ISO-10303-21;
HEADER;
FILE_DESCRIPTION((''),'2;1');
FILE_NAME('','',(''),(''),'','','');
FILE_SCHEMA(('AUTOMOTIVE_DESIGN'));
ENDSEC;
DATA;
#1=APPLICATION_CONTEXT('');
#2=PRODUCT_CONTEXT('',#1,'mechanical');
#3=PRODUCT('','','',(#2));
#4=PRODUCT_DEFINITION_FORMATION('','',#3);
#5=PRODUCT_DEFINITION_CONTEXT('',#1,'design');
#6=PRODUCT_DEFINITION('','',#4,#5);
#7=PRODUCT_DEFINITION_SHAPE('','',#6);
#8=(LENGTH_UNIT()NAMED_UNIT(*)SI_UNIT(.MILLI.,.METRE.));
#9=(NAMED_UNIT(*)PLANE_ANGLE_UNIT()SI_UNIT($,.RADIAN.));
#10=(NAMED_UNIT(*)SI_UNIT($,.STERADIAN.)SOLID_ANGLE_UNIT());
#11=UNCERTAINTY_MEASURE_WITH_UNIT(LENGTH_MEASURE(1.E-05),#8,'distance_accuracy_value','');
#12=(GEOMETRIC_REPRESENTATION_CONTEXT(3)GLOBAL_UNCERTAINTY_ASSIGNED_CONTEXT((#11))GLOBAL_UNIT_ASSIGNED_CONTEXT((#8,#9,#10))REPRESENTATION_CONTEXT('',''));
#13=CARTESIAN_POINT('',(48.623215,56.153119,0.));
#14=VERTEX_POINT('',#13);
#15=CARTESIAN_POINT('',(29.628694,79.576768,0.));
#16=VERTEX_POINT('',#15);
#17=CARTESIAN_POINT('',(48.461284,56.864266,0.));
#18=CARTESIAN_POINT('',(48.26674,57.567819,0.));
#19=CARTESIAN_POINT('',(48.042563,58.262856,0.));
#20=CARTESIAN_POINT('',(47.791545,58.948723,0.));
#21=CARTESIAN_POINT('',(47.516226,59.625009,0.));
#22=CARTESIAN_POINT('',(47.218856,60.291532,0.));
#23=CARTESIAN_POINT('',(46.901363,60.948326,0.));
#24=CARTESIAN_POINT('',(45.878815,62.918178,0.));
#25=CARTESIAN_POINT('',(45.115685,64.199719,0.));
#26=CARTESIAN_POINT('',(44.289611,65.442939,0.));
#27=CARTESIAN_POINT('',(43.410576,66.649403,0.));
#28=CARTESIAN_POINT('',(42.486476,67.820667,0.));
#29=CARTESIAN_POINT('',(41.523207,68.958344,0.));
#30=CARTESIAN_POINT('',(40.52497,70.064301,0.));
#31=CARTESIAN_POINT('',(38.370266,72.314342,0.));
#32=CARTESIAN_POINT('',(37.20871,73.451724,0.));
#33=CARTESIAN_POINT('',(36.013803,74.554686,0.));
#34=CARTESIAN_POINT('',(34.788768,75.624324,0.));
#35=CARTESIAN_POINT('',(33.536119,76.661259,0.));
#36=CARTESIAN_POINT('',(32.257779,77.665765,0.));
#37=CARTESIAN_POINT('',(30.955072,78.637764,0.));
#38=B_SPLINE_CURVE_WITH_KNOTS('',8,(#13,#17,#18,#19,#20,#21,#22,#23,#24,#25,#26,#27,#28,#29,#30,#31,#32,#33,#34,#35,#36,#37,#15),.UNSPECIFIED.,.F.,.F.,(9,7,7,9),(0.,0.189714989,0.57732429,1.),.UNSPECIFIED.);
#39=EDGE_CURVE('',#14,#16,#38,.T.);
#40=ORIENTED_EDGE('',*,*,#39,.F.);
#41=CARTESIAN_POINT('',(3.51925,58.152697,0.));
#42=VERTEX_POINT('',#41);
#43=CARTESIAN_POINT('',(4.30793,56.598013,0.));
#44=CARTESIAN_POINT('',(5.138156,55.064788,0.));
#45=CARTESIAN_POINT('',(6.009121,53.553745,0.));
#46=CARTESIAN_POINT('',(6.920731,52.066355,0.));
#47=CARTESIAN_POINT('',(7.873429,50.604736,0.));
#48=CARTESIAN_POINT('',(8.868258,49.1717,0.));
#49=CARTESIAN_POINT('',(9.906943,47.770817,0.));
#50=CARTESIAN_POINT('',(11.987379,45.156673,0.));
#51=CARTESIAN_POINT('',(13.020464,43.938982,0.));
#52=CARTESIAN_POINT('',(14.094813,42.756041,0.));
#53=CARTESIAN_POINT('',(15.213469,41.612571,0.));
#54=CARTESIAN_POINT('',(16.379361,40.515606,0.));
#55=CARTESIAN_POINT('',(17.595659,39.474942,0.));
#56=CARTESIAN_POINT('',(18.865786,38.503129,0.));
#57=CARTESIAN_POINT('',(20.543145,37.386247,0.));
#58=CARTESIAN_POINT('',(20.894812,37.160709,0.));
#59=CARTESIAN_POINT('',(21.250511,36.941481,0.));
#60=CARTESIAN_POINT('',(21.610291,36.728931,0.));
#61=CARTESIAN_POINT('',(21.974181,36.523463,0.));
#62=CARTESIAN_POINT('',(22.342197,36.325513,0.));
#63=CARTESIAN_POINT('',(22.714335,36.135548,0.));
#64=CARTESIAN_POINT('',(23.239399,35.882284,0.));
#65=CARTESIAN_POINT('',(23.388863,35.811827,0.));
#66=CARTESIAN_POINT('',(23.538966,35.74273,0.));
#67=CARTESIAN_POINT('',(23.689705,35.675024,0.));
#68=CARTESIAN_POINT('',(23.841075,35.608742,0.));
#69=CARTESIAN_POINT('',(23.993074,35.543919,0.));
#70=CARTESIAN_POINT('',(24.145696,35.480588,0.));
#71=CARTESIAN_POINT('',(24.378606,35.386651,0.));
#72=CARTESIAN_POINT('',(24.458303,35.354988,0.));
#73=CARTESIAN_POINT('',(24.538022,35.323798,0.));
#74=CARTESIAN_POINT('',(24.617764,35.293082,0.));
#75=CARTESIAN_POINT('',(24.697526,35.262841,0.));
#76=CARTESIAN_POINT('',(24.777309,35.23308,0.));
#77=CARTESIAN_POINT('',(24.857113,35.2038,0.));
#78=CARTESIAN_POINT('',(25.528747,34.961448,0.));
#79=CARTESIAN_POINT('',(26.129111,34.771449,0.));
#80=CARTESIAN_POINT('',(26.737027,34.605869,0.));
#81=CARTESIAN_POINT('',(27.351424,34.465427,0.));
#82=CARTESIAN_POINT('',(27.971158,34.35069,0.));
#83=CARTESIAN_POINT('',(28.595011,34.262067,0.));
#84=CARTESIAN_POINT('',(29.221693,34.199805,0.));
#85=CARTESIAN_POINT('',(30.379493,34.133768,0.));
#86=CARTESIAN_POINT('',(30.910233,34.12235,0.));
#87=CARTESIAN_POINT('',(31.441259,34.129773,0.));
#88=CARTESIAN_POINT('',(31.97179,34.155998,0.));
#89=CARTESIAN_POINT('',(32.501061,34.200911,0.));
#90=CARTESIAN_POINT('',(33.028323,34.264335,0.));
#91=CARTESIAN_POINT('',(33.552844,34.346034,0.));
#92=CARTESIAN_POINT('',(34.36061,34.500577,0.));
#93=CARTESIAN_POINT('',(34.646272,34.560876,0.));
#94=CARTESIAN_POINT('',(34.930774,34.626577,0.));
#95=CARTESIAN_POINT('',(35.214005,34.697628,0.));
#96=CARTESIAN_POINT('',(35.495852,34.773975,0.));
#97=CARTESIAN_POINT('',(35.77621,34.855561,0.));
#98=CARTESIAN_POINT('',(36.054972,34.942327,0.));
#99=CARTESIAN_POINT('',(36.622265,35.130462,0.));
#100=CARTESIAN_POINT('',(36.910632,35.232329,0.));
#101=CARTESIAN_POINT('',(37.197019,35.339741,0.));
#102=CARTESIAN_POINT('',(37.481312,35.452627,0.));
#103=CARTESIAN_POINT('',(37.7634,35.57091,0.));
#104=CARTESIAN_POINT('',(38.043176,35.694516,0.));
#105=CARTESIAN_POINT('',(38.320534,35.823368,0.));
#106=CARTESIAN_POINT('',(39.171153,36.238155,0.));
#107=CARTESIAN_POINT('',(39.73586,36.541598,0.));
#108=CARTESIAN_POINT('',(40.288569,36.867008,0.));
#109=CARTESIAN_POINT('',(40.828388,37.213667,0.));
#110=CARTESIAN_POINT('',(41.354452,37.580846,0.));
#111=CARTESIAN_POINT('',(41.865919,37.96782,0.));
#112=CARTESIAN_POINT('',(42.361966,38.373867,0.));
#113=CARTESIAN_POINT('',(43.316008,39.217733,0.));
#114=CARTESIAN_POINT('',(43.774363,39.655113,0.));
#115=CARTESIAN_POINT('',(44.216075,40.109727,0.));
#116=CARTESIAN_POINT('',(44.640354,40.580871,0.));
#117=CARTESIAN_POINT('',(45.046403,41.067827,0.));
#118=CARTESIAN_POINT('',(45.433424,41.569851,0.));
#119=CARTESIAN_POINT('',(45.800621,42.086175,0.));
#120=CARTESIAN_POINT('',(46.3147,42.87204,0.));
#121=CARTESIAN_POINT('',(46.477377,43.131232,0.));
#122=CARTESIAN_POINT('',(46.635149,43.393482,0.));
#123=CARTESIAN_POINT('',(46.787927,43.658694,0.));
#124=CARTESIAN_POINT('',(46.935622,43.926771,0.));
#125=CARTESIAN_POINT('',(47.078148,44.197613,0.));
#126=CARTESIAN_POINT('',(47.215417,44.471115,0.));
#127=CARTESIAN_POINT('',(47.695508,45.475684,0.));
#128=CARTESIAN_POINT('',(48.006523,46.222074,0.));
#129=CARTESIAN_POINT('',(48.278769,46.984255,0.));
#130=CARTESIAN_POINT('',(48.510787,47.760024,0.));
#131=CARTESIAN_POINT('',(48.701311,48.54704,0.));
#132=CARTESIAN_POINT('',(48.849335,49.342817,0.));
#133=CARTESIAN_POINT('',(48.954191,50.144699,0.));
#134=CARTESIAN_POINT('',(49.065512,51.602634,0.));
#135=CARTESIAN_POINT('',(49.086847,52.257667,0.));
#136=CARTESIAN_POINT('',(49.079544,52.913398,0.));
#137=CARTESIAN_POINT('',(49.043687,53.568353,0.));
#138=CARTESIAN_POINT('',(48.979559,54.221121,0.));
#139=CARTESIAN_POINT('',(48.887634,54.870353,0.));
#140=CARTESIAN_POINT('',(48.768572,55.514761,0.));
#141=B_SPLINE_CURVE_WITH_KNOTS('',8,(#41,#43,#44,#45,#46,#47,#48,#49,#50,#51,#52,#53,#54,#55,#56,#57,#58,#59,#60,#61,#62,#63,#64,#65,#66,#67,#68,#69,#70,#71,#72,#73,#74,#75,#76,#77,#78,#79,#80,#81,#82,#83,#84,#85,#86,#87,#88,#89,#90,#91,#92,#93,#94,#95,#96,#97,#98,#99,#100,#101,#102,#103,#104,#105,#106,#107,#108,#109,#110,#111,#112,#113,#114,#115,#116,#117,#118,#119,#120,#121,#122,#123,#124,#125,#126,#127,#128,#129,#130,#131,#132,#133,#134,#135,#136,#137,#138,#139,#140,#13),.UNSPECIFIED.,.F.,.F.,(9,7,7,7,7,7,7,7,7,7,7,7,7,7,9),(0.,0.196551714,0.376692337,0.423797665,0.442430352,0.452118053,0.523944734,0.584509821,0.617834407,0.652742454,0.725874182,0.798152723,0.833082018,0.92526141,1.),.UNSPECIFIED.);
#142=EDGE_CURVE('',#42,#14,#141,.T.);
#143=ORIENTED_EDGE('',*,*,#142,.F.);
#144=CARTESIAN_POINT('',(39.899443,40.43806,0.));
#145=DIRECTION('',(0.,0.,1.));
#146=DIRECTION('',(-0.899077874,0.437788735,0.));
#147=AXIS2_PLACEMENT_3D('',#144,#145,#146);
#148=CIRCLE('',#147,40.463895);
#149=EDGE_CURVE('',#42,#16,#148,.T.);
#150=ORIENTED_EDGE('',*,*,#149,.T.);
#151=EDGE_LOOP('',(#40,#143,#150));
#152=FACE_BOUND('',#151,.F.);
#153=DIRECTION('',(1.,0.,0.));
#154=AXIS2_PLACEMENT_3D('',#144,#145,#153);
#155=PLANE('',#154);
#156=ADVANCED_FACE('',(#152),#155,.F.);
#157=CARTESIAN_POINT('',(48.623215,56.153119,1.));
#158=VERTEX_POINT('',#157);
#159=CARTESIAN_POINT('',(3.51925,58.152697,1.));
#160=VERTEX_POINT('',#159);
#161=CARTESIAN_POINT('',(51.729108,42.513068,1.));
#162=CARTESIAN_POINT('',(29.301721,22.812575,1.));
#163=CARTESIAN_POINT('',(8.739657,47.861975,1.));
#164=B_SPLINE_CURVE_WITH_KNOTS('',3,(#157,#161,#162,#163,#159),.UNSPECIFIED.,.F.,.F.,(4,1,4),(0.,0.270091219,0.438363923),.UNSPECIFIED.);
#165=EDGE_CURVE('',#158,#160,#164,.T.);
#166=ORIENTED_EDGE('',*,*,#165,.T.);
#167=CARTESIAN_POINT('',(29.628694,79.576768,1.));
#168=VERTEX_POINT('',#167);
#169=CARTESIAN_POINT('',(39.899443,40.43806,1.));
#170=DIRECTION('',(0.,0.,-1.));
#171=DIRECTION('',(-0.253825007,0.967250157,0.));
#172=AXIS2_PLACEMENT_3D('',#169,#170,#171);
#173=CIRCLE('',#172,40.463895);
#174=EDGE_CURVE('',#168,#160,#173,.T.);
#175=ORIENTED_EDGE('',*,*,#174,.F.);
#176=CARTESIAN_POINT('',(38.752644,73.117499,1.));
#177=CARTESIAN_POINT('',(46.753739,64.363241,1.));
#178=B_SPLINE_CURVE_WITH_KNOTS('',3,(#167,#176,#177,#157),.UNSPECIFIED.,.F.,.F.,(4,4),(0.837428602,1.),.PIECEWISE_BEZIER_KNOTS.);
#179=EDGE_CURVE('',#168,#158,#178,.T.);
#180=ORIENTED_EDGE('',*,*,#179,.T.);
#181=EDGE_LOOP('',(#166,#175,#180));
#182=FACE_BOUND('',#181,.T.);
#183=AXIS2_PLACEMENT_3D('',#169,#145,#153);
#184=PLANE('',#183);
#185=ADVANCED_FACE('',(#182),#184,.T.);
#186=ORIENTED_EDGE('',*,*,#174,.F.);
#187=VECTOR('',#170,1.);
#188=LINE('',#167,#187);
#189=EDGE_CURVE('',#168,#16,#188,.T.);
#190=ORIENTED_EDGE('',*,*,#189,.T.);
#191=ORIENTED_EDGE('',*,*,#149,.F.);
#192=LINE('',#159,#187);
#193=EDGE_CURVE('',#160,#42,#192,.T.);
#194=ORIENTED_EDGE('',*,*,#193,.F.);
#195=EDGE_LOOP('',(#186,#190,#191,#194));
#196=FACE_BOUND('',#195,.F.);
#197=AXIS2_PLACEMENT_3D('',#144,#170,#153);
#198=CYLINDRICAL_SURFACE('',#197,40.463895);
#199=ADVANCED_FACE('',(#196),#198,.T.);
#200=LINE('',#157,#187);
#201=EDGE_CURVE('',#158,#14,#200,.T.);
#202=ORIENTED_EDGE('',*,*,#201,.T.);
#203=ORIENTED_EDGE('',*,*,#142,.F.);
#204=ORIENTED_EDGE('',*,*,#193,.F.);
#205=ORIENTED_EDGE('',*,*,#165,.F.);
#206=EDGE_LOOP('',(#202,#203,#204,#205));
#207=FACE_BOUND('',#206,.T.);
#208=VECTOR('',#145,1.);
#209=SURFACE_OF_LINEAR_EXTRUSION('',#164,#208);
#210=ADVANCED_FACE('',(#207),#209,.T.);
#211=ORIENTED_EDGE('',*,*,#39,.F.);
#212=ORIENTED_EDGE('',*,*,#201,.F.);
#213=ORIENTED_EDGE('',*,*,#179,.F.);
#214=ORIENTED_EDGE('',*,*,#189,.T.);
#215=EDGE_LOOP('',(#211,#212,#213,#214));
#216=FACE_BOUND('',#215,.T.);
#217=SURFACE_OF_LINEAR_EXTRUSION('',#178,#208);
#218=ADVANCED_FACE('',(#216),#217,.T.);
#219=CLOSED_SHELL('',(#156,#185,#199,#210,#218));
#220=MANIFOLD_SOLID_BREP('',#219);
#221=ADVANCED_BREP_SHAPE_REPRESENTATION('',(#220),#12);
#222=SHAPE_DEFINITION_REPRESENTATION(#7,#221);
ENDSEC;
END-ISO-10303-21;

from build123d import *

# Parameters (mm, degrees)
F0_R     = 40.4638947202
F1_DEPTH = 1
F4_DEPTH = 25.4


with BuildPart() as f1:
    # F0 (on Top) → F1 (new body)
    with BuildSketch(Plane.XY):
        with Locations((39.8994428169, 40.4380597174)):
            Circle(F0_R)
    extrude(amount=F1_DEPTH)

    # F3 (on face) → F4 (cut)
    with BuildSketch(Plane.XY.offset(1)):
        with BuildLine():
            add(Edge.make_bspline(
                [(48.6232154071, 56.1531186104), (51.7291076024, 42.5130680399), (29.301721138, 22.812574796), (8.7396566752, 47.8619746328), (3.5192503819, 58.1526970075)],
                knots=[0, 0, 0, 0, 0.2700912185, 0.4383639234, 0.4383639234, 0.4383639234, 0.4383639234], degree=3))
            add(Edge.make_bspline(
                [(29.6286944761, 79.5767682353), (38.752644476, 73.1174990169), (46.7537387272, 64.3632414516), (48.6232154071, 56.1531186104)],
                knots=[0.8374286025, 0.8374286025, 0.8374286025, 0.8374286025, 1, 1, 1, 1], degree=3))
            ThreePointArc((29.6286944761, 79.5767682353), (14.2318508806, 71.7190683347), (3.5192503819, 58.1526970075))
        make_face()
    extrude(amount=-F4_DEPTH, mode=Mode.SUBTRACT)


solid = f1.part
